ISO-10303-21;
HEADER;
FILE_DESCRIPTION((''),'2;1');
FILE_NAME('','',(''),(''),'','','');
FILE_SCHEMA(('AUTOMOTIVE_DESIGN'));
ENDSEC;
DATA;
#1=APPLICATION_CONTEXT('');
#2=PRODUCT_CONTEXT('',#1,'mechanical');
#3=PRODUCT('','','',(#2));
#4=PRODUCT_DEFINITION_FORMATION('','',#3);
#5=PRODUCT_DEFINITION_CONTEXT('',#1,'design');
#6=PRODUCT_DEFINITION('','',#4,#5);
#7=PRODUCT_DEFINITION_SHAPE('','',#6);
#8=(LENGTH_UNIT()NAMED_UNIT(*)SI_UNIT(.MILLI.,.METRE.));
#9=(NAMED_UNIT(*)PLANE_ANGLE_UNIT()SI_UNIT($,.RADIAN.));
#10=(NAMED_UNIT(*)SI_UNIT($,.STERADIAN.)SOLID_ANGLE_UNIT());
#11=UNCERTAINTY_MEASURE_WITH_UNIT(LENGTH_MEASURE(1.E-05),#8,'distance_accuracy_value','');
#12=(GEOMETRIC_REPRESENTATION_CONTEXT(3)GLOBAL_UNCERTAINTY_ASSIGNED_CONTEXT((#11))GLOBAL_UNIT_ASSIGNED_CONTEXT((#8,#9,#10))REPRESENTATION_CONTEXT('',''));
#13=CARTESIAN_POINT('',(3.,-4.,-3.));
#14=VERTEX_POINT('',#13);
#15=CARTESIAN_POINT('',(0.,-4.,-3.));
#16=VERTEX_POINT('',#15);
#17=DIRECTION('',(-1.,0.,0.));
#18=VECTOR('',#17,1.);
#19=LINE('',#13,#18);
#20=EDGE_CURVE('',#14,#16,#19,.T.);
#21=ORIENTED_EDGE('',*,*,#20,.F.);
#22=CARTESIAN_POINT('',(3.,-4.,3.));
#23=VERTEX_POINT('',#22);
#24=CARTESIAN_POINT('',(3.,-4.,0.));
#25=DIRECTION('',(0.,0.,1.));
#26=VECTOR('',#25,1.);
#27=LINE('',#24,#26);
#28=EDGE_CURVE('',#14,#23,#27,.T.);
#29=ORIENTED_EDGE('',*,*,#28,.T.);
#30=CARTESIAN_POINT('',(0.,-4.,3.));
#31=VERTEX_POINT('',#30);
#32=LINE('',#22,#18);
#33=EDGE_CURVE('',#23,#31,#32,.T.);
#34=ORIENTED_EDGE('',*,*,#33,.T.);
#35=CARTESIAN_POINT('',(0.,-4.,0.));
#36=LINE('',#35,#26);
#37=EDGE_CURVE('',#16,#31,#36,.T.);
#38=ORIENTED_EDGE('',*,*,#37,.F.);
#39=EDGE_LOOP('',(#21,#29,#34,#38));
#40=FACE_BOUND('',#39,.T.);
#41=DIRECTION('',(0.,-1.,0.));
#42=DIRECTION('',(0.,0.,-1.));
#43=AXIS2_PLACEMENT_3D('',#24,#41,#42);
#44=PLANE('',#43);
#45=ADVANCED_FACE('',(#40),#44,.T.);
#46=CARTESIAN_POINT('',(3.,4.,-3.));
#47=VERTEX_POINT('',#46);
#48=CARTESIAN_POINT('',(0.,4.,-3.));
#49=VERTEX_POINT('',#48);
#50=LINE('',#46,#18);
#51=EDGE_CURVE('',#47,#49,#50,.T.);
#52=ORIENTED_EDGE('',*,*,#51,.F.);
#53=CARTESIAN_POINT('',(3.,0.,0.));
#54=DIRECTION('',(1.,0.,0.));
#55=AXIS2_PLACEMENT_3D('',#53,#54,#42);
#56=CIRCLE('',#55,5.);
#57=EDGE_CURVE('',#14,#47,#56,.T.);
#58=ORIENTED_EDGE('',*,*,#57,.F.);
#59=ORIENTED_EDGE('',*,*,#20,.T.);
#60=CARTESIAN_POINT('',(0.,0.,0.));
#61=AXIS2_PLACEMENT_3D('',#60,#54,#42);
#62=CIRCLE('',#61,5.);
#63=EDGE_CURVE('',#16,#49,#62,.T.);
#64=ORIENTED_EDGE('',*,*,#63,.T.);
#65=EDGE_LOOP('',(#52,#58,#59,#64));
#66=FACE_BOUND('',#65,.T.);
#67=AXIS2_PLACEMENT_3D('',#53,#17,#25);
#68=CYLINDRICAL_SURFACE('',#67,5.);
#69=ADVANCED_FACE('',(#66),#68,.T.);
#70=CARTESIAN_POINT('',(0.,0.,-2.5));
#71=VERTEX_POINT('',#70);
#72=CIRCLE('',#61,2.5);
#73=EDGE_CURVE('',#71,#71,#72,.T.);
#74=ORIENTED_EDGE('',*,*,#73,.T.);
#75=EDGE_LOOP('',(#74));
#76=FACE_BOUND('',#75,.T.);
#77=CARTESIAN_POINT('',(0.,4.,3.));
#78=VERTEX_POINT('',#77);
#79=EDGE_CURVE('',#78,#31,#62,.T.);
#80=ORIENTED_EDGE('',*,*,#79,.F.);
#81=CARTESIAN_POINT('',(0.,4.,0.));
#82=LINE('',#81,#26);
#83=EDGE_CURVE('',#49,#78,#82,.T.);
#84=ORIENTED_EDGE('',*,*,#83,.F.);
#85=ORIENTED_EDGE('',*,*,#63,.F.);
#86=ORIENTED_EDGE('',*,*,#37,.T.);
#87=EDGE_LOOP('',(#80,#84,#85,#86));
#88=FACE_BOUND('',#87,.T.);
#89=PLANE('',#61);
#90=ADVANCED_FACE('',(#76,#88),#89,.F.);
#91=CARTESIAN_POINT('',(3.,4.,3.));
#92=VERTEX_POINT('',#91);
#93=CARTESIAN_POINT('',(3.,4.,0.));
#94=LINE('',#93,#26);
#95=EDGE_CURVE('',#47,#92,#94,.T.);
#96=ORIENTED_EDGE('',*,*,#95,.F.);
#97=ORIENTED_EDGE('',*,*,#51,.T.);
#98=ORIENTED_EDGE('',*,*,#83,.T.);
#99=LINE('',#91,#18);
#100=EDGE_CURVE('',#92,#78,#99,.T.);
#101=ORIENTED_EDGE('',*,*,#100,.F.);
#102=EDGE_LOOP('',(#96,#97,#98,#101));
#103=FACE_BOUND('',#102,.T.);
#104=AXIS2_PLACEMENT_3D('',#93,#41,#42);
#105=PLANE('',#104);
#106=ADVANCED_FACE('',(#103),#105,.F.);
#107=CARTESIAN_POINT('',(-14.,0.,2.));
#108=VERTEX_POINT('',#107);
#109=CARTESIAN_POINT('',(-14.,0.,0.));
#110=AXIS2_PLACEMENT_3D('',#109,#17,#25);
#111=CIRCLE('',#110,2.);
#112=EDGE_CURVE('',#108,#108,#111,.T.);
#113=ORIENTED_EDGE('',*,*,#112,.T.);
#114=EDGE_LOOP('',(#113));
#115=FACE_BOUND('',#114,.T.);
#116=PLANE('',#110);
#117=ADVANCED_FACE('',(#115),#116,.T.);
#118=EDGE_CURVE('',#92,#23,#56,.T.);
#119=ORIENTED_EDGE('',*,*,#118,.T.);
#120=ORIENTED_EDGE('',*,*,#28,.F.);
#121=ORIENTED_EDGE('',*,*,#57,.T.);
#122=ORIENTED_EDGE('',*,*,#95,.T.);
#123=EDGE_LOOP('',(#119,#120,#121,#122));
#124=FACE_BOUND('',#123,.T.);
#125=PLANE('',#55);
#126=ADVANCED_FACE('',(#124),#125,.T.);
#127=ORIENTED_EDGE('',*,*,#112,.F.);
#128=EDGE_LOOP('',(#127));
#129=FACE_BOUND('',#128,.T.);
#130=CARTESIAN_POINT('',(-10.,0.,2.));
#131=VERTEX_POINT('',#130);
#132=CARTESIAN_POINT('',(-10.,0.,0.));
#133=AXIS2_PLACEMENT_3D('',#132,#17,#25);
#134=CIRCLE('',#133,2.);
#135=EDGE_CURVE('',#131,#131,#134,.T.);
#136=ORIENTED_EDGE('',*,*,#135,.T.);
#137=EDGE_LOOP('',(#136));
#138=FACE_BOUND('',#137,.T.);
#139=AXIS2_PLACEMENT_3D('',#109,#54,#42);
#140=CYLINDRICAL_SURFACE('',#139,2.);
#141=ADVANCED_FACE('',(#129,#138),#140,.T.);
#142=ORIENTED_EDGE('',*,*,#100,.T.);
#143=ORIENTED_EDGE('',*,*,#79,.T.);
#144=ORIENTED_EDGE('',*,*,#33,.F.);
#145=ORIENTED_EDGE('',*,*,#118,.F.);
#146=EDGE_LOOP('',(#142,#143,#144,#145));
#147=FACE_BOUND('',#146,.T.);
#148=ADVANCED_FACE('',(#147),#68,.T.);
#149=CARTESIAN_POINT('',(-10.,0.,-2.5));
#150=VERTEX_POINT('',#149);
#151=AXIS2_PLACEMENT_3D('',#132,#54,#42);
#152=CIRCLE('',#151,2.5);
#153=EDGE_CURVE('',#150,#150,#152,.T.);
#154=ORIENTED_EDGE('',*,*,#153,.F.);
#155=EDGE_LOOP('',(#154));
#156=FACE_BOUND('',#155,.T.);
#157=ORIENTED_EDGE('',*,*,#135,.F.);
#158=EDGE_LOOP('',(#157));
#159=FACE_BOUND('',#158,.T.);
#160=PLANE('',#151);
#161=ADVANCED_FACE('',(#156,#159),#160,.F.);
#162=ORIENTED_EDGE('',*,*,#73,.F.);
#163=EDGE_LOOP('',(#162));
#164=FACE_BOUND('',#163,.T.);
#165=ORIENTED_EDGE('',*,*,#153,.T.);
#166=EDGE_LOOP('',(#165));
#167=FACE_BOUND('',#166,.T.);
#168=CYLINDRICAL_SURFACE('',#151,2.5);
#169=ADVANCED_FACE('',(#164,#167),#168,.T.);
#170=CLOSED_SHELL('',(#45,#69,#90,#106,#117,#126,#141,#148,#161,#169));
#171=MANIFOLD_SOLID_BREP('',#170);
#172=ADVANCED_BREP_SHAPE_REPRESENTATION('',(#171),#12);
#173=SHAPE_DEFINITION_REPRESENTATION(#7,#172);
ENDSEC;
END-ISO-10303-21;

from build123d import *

# Parameters (mm, degrees)
BOSS_EXTRUDE1_DEPTH = 3
SKETCH2_3_R         = 2.5
BOSS_EXTRUDE2_DEPTH = 10
SKETCH3_R           = 2
BOSS_EXTRUDE3_DEPTH = 4


with BuildPart() as part:
    # Sketch2 → Boss-Extrude1 (new body)
    with BuildSketch(Plane(origin=(0, 0, 0), x_dir=(0, 0, -1), z_dir=(1, 0, 0))):
        with BuildLine():
            ThreePointArc((3, -4), (5, 0), (3, 4))
            Line((3, 4), (-3, 4))
            ThreePointArc((-3, 4), (-5, 0), (-3, -4))
            Line((-3, -4), (3, -4))
        make_face()
    extrude(amount=BOSS_EXTRUDE1_DEPTH)

    # Sketch2<3> → Boss-Extrude2 (add)
    with BuildSketch(Plane(origin=(0, 0, 0), x_dir=(0, 0, -1), z_dir=(1, 0, 0))):
        Circle(SKETCH2_3_R)
    extrude(amount=-BOSS_EXTRUDE2_DEPTH)

    # Sketch3 → Boss-Extrude3 (add)
    with BuildSketch(Plane.ZY.offset(10)):
        Circle(SKETCH3_R)
    extrude(amount=BOSS_EXTRUDE3_DEPTH)


solid = part.part
